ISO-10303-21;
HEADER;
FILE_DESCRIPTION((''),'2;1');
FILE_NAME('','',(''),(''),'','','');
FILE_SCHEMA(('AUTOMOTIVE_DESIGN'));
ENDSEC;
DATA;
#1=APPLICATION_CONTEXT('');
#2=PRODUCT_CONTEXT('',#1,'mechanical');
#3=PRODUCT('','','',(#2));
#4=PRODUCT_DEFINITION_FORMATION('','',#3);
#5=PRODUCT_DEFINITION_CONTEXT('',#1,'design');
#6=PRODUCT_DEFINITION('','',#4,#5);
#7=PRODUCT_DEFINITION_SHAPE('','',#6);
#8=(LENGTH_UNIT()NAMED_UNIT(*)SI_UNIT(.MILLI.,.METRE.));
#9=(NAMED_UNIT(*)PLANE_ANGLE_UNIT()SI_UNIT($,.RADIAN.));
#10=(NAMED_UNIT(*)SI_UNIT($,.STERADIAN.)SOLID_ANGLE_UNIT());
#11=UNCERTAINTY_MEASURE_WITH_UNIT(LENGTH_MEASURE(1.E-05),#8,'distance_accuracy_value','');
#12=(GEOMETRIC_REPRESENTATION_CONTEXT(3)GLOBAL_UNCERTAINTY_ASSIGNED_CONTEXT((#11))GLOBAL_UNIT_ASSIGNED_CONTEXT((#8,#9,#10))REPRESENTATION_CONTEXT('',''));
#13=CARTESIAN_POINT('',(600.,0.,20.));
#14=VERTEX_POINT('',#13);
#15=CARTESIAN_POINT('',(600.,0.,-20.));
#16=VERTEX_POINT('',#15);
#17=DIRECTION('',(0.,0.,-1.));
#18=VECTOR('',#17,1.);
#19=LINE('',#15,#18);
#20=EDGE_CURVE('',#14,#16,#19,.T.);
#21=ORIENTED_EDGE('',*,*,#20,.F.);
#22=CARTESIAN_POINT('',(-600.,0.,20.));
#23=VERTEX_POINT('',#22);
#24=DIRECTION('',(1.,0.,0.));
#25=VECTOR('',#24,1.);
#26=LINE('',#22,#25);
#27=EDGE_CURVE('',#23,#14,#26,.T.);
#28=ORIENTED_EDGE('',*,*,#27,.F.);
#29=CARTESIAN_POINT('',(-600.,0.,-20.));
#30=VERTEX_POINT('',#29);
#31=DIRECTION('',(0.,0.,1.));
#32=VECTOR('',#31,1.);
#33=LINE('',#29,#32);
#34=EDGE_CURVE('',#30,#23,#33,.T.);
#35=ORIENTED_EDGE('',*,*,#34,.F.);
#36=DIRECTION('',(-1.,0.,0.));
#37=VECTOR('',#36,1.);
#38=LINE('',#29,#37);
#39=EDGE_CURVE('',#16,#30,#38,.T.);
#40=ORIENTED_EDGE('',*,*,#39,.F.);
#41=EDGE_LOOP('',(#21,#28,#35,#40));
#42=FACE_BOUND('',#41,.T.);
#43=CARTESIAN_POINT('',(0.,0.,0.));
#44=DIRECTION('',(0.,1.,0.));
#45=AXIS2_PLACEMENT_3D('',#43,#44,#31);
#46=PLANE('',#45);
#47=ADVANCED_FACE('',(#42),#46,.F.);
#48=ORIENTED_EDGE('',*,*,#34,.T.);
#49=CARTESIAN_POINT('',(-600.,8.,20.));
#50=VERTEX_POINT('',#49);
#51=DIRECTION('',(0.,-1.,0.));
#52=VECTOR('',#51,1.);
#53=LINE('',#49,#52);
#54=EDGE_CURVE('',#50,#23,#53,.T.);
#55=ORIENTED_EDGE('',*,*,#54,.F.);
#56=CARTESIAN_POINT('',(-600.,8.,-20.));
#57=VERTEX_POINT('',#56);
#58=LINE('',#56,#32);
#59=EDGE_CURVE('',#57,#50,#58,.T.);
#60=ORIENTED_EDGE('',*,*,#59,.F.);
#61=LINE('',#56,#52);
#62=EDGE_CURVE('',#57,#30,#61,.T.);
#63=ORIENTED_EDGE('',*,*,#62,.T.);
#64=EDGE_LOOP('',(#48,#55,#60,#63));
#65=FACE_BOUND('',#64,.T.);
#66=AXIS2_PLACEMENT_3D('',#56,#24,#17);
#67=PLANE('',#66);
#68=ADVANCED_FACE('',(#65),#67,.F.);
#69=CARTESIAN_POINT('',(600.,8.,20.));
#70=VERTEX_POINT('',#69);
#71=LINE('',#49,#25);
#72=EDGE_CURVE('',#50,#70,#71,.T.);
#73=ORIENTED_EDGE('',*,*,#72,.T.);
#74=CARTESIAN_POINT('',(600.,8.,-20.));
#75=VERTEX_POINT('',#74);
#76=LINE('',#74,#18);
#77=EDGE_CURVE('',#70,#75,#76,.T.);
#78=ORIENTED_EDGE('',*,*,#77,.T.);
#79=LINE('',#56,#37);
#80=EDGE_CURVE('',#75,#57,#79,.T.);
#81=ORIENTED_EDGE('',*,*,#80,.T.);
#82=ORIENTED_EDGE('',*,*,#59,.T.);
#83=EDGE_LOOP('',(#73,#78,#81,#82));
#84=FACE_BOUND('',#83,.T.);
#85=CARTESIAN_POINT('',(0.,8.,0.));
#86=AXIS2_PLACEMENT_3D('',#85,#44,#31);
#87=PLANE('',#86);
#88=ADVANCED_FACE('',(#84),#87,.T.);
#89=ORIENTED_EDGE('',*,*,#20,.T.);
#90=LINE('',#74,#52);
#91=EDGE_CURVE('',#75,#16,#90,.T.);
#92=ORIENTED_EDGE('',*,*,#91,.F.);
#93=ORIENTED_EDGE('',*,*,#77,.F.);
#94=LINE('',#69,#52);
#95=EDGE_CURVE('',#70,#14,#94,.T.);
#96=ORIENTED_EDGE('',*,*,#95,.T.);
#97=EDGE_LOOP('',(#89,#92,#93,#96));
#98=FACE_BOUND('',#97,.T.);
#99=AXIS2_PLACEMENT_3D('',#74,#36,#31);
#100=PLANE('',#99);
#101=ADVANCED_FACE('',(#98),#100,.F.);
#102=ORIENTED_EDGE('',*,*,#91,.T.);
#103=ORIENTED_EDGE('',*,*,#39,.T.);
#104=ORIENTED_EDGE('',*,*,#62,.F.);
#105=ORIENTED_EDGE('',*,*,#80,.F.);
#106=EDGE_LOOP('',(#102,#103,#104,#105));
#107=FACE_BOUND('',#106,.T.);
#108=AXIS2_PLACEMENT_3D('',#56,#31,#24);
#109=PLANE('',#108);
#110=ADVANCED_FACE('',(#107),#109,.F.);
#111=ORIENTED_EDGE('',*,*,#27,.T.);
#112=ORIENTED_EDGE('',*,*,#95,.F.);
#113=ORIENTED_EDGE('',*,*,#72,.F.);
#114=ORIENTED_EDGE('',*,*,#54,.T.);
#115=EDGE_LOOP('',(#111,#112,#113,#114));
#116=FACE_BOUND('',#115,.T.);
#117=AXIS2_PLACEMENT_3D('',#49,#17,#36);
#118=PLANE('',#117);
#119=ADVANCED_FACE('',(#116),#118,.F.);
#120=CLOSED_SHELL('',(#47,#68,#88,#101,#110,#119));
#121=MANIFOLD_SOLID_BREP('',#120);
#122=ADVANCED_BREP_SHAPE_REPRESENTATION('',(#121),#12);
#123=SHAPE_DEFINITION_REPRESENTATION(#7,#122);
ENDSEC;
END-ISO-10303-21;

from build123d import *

# Parameters (mm, degrees)
SKETCH_1_W      = 1200
SKETCH_1_H      = 40
EXTRUDE_1_DEPTH = 8


with BuildPart() as part:
    # Эскиз1 → Бобышка-Вытянуть1 (new body)
    with BuildSketch(Plane(origin=(0, 0, 0), x_dir=(1, 0, 0), z_dir=(0, 1, 0))):
        Rectangle(SKETCH_1_W, SKETCH_1_H)
    extrude(amount=EXTRUDE_1_DEPTH)


solid = part.part
